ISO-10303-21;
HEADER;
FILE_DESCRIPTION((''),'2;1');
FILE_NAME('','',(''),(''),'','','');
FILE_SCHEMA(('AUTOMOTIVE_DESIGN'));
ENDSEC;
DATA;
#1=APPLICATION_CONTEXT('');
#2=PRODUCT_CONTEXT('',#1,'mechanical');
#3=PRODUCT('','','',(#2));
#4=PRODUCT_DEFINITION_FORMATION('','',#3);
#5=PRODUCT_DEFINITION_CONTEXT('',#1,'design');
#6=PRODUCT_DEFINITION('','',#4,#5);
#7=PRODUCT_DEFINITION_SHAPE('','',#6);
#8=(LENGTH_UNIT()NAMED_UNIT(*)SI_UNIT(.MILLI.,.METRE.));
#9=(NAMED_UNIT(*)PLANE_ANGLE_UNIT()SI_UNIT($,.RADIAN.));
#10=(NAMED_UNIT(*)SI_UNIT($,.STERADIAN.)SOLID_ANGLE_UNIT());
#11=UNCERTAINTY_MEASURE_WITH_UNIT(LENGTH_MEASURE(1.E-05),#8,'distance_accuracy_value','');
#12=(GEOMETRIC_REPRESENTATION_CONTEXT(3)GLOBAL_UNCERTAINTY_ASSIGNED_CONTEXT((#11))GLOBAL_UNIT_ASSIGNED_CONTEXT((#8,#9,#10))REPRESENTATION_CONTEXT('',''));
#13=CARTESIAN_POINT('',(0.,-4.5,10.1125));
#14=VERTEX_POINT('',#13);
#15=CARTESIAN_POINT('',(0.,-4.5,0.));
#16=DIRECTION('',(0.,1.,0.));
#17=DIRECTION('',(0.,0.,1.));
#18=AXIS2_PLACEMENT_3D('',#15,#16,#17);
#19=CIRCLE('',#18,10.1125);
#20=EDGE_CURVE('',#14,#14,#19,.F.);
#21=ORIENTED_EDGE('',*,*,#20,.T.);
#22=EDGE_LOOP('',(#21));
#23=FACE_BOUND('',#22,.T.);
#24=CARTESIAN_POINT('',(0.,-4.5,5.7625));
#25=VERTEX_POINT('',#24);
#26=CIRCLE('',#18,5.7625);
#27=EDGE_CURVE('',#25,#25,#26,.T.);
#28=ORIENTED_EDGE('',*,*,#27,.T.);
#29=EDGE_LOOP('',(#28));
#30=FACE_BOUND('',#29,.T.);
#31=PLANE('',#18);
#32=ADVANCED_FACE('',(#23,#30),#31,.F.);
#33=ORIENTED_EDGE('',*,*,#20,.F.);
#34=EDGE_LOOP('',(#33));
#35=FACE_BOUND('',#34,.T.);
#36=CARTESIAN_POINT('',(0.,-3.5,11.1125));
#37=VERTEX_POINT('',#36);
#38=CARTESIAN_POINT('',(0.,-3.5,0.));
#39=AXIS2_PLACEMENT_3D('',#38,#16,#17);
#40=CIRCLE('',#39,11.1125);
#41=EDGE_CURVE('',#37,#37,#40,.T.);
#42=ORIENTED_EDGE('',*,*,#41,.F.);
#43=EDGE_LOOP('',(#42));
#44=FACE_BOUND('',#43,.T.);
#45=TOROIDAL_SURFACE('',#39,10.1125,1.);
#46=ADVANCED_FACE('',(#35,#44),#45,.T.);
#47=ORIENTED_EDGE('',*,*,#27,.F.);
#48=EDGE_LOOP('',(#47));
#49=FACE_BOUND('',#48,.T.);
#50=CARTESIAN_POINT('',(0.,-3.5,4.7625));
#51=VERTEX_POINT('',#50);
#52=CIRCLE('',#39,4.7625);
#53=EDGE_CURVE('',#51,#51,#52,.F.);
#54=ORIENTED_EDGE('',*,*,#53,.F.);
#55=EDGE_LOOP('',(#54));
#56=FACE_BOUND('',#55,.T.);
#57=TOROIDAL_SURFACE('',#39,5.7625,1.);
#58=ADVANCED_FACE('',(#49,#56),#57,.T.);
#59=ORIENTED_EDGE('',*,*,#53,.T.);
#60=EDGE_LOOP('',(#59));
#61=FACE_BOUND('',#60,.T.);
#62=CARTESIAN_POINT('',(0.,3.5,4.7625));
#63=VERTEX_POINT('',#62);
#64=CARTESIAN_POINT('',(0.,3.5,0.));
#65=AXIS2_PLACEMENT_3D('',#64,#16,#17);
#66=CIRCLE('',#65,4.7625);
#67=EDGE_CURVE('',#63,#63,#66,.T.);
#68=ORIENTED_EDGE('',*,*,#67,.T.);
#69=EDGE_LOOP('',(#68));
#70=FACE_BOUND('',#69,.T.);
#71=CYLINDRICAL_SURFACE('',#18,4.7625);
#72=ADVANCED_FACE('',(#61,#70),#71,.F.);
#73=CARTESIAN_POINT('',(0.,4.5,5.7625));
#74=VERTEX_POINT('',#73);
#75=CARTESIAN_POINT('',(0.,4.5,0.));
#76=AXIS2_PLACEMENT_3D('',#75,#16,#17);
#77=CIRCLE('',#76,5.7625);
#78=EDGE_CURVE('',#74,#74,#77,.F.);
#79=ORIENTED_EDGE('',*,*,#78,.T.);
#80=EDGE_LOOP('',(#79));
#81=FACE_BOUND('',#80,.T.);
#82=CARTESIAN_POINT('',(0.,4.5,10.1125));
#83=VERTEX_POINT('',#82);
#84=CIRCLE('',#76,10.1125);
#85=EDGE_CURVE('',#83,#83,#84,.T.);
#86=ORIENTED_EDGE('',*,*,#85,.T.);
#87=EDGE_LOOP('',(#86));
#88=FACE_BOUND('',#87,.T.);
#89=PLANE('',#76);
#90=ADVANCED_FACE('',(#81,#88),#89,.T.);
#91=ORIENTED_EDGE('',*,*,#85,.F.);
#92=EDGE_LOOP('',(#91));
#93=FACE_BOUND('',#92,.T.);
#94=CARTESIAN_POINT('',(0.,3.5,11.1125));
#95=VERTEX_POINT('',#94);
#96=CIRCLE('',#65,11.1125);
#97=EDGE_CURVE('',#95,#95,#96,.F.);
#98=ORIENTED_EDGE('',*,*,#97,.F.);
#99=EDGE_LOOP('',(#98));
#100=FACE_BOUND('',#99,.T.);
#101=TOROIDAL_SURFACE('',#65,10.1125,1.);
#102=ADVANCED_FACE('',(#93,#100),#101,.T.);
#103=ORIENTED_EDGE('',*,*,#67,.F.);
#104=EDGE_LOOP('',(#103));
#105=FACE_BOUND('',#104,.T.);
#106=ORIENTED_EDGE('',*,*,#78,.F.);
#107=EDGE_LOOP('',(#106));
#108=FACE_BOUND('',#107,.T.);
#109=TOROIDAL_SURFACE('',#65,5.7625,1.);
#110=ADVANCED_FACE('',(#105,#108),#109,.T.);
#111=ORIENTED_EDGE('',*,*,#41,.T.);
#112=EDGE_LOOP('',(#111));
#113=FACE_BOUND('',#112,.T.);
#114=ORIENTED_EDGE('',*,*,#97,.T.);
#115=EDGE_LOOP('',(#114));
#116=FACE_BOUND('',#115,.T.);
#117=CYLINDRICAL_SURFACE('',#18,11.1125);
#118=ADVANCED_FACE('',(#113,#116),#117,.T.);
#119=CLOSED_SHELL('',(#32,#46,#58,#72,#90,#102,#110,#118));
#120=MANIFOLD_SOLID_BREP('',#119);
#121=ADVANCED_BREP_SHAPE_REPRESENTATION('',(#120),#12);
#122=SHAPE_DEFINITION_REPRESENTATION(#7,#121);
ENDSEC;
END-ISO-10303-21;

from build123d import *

# Parameters (mm, degrees)
BOSS_EXTRUDE1_DEPTH      = 4.5
BOSS_EXTRUDE1_DEPTH_BACK = 4.5
SKETCH1_R                = 11.1125
SKETCH1_R_2              = 4.7625
FILLET1_R                = 1
FILLET2_R                = 1


with BuildPart() as part:
    # Sketch1 → Boss-Extrude1 (new, two sides: drawn at the far end of the back side and taken through both)
    with BuildSketch(Plane(origin=(0, 0, 0), x_dir=(1, 0, 0), z_dir=(0, 1, 0)).offset(-BOSS_EXTRUDE1_DEPTH_BACK)):
        Circle(SKETCH1_R)
        Circle(SKETCH1_R_2, mode=Mode.SUBTRACT)
    extrude(amount=BOSS_EXTRUDE1_DEPTH + BOSS_EXTRUDE1_DEPTH_BACK)

    # Fillet1
    fillet1_edges = [part.edges().sort_by_distance(p)[0] for p in [
        (-4.7625, -4.5, 0),
        (-4.7625, 4.5, 0),
    ]]
    fillet(fillet1_edges, radius=FILLET1_R)

    # Fillet2
    fillet2_edges = [part.edges().sort_by_distance(p)[0] for p in [
        (-11.1125, 4.5, 0),
        (-11.1125, -4.5, 0),
    ]]
    fillet(fillet2_edges, radius=FILLET2_R)


solid = part.part
